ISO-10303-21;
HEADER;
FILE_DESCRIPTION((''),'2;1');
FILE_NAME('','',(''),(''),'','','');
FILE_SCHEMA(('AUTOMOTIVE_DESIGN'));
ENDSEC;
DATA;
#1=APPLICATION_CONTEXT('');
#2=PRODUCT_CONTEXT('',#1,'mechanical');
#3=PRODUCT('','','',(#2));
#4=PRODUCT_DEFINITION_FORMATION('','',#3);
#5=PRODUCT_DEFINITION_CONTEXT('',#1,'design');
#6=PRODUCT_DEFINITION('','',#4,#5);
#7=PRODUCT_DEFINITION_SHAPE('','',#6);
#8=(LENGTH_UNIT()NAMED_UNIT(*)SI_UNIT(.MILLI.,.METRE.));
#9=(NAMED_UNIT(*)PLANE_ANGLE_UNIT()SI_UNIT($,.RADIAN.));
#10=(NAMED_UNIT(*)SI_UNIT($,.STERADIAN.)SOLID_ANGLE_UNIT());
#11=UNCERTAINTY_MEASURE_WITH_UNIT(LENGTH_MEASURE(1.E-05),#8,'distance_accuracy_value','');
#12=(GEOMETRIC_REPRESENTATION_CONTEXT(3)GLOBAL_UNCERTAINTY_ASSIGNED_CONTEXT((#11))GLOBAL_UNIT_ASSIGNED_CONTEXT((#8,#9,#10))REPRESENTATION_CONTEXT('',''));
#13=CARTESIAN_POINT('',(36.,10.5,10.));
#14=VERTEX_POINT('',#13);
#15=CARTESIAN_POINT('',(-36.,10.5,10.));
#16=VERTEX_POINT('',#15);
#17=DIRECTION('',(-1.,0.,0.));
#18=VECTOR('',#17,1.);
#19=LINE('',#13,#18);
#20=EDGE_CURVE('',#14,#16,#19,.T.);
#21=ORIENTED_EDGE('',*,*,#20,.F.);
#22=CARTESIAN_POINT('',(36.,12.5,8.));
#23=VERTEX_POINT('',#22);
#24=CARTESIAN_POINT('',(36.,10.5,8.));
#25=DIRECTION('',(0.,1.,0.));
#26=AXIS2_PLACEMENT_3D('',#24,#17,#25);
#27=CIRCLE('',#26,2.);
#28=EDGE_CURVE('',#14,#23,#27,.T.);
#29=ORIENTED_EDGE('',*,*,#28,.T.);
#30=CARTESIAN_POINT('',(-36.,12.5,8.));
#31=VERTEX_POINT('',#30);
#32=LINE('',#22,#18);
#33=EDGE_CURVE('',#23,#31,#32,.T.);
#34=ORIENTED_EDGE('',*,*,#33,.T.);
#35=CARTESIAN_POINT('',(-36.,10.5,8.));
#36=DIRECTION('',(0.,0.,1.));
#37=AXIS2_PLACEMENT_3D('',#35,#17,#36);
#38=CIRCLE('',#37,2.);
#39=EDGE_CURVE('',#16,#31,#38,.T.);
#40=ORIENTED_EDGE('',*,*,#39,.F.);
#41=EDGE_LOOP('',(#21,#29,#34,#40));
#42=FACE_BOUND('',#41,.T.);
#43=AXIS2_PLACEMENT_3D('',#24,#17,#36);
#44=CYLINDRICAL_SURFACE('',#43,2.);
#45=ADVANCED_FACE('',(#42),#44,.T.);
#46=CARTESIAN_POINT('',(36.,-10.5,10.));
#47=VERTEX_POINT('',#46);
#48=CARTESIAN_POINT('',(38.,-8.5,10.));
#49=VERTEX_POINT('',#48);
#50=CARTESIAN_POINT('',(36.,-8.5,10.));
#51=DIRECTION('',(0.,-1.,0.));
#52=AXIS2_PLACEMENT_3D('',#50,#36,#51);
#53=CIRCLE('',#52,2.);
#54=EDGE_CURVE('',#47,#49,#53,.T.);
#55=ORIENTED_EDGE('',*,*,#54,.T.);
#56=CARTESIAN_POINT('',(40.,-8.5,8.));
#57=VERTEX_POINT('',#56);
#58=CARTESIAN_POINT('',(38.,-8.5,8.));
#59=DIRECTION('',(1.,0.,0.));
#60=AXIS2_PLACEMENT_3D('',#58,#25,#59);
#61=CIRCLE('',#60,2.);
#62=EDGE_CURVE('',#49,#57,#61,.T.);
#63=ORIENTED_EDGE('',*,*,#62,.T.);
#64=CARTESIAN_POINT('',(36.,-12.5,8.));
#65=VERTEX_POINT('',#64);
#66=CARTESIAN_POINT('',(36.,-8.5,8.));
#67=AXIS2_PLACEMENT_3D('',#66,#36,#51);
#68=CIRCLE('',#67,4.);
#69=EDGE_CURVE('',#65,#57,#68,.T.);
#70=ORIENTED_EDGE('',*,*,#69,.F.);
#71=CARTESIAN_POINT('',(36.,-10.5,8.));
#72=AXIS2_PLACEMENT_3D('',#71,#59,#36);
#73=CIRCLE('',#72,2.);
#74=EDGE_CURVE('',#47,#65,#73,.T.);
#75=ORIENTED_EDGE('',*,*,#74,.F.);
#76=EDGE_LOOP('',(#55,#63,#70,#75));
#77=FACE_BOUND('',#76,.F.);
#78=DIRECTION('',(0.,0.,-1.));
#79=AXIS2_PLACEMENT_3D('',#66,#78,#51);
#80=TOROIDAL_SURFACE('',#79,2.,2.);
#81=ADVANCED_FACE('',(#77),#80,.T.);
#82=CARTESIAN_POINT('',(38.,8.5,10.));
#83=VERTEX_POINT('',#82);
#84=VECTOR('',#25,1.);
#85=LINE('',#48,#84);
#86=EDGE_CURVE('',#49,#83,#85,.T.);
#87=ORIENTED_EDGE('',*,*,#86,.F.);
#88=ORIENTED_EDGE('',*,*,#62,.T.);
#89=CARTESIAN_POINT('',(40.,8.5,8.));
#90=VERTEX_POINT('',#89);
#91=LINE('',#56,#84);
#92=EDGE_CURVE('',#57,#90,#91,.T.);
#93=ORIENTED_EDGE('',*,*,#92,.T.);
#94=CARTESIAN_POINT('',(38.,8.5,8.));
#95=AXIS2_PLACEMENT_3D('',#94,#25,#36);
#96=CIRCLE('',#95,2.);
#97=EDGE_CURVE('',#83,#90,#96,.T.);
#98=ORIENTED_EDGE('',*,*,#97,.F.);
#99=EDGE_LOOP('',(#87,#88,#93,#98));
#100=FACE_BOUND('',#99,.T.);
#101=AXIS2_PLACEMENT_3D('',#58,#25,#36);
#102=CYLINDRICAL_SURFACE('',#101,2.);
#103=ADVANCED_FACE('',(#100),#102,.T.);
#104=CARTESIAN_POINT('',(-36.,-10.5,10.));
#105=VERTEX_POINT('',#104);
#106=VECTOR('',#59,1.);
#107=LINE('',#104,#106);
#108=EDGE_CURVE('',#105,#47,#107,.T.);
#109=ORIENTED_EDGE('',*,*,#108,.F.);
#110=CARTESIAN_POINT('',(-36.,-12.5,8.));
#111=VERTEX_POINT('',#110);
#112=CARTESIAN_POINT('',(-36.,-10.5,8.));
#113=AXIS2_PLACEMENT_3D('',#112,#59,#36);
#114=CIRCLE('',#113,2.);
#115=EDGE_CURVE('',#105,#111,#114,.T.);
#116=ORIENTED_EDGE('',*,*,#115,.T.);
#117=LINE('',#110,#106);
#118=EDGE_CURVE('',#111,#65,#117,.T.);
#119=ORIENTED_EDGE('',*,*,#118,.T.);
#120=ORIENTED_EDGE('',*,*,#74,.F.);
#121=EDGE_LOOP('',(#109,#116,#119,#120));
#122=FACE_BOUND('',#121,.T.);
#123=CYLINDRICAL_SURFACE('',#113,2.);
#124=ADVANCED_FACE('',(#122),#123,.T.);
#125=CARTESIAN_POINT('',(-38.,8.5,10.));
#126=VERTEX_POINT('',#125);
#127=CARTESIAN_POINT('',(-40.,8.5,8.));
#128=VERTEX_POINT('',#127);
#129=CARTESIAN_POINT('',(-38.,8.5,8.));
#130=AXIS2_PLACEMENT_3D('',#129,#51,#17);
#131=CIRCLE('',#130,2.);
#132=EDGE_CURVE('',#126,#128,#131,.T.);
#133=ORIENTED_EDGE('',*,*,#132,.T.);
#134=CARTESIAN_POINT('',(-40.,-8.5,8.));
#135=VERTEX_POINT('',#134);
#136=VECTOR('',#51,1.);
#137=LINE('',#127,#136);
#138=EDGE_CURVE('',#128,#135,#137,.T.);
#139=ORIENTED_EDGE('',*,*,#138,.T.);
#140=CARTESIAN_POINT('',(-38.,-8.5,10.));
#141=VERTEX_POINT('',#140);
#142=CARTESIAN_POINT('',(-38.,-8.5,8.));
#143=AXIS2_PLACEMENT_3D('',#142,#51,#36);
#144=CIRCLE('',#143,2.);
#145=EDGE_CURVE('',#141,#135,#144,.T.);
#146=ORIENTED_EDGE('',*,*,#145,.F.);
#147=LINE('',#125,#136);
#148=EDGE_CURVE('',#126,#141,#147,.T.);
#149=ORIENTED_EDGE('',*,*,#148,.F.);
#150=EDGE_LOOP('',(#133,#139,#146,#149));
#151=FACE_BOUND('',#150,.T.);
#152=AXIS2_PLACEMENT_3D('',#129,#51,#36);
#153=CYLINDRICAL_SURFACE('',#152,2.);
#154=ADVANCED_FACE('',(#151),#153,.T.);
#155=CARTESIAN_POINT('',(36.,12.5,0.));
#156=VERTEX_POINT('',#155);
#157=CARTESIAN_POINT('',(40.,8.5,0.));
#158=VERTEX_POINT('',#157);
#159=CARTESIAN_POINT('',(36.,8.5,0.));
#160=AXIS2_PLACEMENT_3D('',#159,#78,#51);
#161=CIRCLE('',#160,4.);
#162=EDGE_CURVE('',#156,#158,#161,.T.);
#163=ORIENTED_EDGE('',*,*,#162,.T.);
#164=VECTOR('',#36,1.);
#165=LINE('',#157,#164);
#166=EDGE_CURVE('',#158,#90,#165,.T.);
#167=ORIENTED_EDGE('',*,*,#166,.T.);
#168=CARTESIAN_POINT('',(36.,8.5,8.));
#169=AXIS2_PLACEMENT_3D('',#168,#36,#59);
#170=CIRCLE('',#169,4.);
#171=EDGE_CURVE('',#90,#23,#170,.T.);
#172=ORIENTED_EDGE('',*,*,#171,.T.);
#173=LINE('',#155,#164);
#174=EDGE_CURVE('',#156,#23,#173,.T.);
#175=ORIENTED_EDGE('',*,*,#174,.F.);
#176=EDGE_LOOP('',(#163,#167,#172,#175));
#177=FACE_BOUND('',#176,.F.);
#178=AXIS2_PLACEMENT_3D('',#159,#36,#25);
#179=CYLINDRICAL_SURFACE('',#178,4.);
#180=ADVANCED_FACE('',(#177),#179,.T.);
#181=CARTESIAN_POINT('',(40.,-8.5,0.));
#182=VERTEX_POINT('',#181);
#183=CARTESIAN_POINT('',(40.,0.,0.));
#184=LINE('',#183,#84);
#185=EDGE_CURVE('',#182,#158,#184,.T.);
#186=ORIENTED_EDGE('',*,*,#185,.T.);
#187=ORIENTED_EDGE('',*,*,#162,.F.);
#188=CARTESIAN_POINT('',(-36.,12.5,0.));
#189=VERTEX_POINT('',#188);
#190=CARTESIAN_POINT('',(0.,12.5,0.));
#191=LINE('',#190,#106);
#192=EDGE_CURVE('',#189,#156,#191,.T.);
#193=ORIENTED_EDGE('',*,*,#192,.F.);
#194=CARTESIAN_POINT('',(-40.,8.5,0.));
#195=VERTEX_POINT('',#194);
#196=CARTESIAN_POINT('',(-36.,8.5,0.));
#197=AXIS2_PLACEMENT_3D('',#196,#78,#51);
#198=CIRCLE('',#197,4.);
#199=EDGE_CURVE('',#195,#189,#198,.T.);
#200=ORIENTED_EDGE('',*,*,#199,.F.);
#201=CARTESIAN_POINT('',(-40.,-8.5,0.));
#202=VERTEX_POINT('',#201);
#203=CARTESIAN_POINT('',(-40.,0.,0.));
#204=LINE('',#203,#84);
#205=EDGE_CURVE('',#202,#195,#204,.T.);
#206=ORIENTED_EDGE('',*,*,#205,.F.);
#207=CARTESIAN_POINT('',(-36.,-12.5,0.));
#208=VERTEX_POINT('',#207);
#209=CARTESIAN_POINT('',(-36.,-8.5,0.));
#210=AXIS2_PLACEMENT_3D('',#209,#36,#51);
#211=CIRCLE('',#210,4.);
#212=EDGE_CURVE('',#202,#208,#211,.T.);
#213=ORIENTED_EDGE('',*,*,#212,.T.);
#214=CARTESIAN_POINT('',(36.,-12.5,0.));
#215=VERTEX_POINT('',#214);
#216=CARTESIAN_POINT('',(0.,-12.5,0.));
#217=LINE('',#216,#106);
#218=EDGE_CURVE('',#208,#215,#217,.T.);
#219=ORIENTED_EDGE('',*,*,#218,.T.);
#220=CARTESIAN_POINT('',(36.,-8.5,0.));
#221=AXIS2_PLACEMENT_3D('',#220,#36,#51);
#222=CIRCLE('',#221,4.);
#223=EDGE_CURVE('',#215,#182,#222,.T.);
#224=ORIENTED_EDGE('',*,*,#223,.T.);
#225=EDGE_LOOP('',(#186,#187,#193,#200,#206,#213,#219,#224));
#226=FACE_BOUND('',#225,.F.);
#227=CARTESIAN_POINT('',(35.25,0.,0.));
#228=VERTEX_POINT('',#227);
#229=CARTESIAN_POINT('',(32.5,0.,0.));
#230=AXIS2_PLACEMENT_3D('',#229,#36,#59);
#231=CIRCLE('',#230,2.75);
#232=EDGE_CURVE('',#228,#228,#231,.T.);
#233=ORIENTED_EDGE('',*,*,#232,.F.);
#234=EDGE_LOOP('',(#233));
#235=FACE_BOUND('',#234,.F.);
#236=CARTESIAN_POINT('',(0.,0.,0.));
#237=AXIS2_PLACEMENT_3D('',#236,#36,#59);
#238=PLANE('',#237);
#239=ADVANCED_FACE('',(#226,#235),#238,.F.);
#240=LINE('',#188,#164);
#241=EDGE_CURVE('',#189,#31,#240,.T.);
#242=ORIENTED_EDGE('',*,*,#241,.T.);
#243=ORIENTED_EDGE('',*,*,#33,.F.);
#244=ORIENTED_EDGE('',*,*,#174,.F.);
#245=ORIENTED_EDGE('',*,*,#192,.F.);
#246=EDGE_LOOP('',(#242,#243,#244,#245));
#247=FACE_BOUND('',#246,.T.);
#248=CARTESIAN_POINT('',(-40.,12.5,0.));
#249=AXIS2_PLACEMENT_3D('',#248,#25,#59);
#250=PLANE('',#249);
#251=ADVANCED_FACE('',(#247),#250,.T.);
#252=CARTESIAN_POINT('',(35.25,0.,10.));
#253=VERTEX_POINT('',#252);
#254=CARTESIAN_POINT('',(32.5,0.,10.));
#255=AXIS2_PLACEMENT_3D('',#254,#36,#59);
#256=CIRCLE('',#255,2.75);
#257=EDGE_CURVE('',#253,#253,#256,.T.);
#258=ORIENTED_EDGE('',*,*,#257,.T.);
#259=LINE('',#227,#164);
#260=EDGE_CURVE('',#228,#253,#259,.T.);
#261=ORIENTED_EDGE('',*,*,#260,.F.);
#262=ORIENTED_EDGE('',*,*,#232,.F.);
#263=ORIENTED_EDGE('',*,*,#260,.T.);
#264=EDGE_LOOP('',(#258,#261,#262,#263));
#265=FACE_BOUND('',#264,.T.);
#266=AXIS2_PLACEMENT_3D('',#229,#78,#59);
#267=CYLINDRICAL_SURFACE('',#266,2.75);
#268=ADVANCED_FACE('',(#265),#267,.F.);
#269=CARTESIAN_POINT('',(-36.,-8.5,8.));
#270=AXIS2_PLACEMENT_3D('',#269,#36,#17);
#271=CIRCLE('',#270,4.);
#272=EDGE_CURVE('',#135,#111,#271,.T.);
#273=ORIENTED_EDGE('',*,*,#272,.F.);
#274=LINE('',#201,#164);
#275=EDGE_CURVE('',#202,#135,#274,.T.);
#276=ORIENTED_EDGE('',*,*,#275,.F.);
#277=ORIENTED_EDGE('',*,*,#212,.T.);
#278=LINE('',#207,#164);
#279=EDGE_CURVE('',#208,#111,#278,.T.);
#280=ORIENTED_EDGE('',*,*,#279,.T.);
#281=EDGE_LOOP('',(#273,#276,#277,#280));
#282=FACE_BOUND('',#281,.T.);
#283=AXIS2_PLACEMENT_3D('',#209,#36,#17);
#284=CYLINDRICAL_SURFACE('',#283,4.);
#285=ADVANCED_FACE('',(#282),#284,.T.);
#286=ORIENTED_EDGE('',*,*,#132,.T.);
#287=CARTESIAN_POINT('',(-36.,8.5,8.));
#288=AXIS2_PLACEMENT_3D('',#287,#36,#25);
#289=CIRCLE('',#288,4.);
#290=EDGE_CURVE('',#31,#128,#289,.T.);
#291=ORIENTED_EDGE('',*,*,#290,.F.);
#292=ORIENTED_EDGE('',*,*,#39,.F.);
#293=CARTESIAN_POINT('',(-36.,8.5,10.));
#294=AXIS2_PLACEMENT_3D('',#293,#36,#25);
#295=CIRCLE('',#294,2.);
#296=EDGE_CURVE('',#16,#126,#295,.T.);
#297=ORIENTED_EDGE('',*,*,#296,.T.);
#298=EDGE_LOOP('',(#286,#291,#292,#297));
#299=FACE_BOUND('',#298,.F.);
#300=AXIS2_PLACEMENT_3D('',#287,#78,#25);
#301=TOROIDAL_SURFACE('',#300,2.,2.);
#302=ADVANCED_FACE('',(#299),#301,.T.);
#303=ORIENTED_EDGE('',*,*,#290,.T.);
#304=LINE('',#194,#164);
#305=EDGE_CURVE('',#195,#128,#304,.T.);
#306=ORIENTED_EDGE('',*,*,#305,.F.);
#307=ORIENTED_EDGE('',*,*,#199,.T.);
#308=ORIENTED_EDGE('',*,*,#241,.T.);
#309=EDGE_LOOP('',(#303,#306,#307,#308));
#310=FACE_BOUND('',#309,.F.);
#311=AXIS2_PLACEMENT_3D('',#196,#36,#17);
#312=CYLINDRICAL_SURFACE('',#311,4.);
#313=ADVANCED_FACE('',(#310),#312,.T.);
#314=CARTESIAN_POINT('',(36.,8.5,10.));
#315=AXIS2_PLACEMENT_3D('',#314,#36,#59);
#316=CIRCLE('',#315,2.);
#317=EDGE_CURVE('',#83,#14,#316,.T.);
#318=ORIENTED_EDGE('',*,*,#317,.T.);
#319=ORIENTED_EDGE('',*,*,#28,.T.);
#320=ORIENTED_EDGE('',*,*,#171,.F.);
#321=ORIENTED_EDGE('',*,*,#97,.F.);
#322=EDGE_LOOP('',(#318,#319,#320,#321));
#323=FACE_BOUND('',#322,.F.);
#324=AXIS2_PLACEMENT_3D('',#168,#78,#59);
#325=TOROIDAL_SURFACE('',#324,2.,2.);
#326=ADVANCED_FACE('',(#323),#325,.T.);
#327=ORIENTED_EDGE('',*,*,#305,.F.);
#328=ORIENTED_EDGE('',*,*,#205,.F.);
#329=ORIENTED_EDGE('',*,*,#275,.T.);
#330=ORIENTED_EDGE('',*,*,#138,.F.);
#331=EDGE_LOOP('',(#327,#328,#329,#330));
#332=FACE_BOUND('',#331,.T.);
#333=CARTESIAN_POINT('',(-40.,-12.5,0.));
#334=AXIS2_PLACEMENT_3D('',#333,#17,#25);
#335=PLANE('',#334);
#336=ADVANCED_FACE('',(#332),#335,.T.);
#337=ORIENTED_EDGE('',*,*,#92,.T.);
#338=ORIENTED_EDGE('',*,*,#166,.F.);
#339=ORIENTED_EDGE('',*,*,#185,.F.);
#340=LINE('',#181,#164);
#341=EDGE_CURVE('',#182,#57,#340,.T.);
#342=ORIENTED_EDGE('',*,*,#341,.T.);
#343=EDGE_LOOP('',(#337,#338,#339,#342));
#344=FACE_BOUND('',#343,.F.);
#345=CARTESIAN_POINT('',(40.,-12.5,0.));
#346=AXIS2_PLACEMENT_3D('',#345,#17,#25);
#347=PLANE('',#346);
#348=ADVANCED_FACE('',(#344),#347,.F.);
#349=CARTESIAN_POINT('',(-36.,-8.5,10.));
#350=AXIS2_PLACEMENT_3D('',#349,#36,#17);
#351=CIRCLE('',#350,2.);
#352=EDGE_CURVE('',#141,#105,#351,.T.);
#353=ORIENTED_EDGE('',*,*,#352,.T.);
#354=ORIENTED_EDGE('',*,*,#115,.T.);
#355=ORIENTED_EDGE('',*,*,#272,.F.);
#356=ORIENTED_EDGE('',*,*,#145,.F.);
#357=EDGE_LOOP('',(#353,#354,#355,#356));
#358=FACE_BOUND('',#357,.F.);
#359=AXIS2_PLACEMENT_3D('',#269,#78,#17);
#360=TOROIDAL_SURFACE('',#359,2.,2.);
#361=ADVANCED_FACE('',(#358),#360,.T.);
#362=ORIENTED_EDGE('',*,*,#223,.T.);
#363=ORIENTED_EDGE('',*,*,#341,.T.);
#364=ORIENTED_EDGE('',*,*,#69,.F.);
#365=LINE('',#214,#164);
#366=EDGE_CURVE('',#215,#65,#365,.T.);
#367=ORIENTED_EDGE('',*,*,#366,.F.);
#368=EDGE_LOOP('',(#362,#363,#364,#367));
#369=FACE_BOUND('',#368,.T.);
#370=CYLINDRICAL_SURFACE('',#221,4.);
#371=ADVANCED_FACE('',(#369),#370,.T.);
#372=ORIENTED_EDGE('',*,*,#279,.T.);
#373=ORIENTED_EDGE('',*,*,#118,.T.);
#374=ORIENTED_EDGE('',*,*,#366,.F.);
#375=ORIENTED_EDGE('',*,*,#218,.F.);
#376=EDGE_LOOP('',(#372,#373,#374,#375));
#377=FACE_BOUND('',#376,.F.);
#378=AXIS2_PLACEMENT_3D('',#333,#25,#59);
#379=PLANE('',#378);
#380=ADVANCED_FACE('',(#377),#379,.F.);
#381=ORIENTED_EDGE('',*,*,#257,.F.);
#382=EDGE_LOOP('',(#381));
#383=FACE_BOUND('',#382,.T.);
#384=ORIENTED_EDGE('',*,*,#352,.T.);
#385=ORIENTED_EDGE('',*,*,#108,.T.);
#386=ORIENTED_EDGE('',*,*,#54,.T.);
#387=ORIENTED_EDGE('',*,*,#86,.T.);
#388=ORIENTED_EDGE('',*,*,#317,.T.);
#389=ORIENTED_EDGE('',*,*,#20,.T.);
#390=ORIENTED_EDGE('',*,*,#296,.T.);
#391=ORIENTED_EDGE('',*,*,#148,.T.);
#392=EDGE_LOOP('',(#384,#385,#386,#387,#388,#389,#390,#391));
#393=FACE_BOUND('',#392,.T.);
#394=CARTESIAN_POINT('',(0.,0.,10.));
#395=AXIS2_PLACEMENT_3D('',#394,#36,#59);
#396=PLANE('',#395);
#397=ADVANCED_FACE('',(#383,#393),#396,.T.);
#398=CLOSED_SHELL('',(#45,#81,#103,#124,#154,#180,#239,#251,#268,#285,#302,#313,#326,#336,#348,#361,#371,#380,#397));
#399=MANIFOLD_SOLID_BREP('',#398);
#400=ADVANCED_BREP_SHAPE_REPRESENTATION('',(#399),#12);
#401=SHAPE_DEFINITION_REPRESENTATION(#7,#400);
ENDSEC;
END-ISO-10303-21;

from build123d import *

# Parameters (mm, degrees)
F0_W     = 80
F0_H     = 25
F0_R     = 2.75
F1_DEPTH = 10
F2_R     = 4
F3_R     = 2


with BuildPart() as f1:
    # F0 (on Top) → F1 (new body)
    with BuildSketch(Plane.XY):
        Rectangle(F0_W, F0_H)
        with Locations((32.5, 0)):
            Circle(F0_R, mode=Mode.SUBTRACT)
    extrude(amount=F1_DEPTH)

    # F2
    f2_edges = [f1.edges().sort_by_distance(p)[0] for p in [
        (40, -12.5, 5),
        (-40, -12.5, 5),
        (40, 12.5, 5),
        (-40, 12.5, 5),
    ]]
    fillet(f2_edges, radius=F2_R)

    # F3
    f3_edges = [f1.edges().sort_by_distance(p)[0] for p in [
        (0, -12.5, 10),
    ]]
    fillet(f3_edges, radius=F3_R)


solid = f1.part
